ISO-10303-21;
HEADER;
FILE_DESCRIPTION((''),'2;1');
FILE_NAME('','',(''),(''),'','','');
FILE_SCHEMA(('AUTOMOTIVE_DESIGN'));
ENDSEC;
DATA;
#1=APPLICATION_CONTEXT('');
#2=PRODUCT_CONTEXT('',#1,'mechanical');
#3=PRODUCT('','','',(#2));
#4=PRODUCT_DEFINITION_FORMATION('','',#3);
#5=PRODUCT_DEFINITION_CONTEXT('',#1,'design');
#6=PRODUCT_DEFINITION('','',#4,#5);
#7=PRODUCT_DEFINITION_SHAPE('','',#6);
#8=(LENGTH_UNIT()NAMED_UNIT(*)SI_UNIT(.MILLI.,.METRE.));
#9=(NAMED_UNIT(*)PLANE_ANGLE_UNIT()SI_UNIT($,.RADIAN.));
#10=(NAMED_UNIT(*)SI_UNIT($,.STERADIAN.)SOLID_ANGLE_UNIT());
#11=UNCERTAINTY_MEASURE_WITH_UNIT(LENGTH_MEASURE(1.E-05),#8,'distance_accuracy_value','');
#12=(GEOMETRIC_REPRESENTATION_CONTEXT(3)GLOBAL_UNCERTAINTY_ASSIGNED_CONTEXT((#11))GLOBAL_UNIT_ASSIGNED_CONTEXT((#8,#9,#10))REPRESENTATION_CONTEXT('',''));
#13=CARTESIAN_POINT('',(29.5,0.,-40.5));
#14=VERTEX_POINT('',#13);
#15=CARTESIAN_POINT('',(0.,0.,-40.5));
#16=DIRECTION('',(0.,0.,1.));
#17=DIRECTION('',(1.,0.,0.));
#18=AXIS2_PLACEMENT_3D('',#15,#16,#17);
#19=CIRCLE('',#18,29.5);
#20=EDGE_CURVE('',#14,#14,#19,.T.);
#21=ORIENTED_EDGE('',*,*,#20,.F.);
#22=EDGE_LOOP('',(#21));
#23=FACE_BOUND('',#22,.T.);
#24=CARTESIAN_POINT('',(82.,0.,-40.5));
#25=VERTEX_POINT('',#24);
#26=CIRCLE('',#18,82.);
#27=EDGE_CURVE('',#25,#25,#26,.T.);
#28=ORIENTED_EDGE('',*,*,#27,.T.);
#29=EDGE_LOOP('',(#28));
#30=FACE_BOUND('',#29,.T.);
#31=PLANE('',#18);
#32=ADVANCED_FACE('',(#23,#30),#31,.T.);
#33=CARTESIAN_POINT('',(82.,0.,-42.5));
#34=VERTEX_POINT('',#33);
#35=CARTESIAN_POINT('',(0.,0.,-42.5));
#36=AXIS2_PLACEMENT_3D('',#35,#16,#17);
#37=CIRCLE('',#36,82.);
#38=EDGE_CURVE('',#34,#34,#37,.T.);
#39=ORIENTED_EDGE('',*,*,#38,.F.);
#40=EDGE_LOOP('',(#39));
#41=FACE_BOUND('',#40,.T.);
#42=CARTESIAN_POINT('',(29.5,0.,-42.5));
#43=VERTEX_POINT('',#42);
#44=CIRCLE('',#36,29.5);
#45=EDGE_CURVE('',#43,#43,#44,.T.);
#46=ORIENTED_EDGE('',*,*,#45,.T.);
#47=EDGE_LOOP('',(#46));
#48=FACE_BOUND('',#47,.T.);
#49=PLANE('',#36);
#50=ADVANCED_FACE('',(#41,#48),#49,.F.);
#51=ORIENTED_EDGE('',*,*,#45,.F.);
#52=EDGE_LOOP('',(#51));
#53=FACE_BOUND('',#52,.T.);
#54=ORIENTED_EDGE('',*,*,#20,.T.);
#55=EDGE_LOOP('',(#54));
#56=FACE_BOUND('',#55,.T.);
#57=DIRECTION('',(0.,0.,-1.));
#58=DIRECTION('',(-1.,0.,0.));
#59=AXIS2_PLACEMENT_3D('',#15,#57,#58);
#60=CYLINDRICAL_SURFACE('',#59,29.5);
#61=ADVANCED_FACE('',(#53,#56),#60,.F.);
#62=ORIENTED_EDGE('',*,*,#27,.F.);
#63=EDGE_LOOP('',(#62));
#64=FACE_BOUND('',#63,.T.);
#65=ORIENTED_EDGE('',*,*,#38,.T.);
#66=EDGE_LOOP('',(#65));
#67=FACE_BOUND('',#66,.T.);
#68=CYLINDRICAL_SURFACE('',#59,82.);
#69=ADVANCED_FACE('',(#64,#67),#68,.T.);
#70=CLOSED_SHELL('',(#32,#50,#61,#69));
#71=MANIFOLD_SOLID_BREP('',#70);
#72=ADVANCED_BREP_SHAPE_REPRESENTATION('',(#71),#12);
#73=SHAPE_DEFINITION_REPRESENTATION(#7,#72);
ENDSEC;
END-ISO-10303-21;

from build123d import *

# Parameters (mm, degrees)
PRINTED_GUARD_START = -42.5
SKETCH_1_R          = 82
SKETCH_1_R_2        = 29.5
PRINTED_GUARD_DEPTH = 2


with BuildPart() as part:
    # Эскиз1 → Printed_guard (new body)
    with BuildSketch(Plane.XY.offset(PRINTED_GUARD_START)):
        Circle(SKETCH_1_R)
        Circle(SKETCH_1_R_2, mode=Mode.SUBTRACT)
    extrude(amount=PRINTED_GUARD_DEPTH)


solid = part.part
